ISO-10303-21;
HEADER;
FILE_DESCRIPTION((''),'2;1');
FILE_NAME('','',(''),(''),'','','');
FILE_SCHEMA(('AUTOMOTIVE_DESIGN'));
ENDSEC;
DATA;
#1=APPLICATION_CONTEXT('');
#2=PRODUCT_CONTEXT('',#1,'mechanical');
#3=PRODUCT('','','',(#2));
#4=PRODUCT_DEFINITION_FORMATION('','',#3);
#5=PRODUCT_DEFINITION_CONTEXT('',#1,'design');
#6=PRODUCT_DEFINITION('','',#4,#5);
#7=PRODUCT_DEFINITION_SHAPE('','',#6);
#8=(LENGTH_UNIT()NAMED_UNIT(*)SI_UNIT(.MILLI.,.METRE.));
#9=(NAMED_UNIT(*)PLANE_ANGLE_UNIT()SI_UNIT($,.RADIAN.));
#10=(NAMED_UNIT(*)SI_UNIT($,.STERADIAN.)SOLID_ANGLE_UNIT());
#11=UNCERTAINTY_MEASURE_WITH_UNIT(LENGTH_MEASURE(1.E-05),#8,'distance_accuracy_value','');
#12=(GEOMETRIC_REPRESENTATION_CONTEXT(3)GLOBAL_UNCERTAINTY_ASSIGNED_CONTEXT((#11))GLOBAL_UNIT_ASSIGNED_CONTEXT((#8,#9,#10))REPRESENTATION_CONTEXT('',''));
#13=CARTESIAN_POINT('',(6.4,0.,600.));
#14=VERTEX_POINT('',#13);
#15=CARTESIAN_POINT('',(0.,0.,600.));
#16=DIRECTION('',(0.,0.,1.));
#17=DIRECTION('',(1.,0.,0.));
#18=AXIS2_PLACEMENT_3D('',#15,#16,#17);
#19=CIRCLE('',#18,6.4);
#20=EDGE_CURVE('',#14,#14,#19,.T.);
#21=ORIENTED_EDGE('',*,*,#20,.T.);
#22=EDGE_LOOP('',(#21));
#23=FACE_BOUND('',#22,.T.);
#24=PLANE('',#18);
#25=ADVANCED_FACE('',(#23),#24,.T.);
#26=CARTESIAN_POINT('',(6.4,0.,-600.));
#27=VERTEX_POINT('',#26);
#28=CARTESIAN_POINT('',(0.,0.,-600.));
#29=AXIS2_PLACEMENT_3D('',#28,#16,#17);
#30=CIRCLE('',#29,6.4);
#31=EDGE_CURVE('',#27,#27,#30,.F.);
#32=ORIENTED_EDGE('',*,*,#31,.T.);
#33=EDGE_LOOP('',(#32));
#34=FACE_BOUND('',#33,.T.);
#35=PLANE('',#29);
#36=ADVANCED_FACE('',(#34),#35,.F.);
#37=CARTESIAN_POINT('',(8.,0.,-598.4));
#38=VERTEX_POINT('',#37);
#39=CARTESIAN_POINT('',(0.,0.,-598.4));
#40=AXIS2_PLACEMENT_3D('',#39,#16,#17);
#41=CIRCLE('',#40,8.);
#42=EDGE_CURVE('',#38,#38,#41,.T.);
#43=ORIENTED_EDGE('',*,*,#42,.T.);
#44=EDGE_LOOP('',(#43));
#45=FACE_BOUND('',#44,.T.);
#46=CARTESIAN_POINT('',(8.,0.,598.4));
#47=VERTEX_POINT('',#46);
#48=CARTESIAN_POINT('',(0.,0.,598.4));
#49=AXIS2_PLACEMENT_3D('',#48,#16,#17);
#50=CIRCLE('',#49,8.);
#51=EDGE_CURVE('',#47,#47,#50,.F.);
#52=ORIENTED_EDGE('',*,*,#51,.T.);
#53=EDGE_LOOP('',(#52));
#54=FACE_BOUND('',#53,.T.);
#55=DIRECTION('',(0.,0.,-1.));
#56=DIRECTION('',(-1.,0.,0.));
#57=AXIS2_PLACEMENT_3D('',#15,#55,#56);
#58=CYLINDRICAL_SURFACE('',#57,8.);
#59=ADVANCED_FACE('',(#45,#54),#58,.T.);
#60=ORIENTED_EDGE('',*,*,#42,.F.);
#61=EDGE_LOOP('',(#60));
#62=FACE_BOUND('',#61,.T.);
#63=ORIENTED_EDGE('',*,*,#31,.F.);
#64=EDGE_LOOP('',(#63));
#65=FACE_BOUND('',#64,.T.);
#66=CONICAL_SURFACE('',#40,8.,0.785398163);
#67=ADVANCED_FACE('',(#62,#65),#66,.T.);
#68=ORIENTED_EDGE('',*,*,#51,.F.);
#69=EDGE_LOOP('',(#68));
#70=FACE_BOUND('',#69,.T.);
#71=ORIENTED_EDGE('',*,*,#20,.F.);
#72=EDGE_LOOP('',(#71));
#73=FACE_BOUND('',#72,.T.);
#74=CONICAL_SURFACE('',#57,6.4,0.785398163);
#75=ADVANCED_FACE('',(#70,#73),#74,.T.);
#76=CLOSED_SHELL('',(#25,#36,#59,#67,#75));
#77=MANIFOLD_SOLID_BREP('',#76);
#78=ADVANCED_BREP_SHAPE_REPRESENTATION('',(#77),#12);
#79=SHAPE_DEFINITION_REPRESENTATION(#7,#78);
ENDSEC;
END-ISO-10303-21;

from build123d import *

# Parameters (mm, degrees)
SKETCH1_R      = 8
EXTRUDE1_DEPTH = 600
CHAMFER1_SIZE  = 1.6


with BuildPart() as part:
    # Sketch1 → Extrude1 (new body, symmetric)
    with BuildSketch(Plane.XY):
        Circle(SKETCH1_R)
    extrude(amount=EXTRUDE1_DEPTH, both=True)

    # Chamfer1
    chamfer1_edges = [part.edges().sort_by_distance(p)[0] for p in [
        (-8, 0, -600),
        (-8, 0, 600),
    ]]
    chamfer(chamfer1_edges, length=CHAMFER1_SIZE)


solid = part.part
